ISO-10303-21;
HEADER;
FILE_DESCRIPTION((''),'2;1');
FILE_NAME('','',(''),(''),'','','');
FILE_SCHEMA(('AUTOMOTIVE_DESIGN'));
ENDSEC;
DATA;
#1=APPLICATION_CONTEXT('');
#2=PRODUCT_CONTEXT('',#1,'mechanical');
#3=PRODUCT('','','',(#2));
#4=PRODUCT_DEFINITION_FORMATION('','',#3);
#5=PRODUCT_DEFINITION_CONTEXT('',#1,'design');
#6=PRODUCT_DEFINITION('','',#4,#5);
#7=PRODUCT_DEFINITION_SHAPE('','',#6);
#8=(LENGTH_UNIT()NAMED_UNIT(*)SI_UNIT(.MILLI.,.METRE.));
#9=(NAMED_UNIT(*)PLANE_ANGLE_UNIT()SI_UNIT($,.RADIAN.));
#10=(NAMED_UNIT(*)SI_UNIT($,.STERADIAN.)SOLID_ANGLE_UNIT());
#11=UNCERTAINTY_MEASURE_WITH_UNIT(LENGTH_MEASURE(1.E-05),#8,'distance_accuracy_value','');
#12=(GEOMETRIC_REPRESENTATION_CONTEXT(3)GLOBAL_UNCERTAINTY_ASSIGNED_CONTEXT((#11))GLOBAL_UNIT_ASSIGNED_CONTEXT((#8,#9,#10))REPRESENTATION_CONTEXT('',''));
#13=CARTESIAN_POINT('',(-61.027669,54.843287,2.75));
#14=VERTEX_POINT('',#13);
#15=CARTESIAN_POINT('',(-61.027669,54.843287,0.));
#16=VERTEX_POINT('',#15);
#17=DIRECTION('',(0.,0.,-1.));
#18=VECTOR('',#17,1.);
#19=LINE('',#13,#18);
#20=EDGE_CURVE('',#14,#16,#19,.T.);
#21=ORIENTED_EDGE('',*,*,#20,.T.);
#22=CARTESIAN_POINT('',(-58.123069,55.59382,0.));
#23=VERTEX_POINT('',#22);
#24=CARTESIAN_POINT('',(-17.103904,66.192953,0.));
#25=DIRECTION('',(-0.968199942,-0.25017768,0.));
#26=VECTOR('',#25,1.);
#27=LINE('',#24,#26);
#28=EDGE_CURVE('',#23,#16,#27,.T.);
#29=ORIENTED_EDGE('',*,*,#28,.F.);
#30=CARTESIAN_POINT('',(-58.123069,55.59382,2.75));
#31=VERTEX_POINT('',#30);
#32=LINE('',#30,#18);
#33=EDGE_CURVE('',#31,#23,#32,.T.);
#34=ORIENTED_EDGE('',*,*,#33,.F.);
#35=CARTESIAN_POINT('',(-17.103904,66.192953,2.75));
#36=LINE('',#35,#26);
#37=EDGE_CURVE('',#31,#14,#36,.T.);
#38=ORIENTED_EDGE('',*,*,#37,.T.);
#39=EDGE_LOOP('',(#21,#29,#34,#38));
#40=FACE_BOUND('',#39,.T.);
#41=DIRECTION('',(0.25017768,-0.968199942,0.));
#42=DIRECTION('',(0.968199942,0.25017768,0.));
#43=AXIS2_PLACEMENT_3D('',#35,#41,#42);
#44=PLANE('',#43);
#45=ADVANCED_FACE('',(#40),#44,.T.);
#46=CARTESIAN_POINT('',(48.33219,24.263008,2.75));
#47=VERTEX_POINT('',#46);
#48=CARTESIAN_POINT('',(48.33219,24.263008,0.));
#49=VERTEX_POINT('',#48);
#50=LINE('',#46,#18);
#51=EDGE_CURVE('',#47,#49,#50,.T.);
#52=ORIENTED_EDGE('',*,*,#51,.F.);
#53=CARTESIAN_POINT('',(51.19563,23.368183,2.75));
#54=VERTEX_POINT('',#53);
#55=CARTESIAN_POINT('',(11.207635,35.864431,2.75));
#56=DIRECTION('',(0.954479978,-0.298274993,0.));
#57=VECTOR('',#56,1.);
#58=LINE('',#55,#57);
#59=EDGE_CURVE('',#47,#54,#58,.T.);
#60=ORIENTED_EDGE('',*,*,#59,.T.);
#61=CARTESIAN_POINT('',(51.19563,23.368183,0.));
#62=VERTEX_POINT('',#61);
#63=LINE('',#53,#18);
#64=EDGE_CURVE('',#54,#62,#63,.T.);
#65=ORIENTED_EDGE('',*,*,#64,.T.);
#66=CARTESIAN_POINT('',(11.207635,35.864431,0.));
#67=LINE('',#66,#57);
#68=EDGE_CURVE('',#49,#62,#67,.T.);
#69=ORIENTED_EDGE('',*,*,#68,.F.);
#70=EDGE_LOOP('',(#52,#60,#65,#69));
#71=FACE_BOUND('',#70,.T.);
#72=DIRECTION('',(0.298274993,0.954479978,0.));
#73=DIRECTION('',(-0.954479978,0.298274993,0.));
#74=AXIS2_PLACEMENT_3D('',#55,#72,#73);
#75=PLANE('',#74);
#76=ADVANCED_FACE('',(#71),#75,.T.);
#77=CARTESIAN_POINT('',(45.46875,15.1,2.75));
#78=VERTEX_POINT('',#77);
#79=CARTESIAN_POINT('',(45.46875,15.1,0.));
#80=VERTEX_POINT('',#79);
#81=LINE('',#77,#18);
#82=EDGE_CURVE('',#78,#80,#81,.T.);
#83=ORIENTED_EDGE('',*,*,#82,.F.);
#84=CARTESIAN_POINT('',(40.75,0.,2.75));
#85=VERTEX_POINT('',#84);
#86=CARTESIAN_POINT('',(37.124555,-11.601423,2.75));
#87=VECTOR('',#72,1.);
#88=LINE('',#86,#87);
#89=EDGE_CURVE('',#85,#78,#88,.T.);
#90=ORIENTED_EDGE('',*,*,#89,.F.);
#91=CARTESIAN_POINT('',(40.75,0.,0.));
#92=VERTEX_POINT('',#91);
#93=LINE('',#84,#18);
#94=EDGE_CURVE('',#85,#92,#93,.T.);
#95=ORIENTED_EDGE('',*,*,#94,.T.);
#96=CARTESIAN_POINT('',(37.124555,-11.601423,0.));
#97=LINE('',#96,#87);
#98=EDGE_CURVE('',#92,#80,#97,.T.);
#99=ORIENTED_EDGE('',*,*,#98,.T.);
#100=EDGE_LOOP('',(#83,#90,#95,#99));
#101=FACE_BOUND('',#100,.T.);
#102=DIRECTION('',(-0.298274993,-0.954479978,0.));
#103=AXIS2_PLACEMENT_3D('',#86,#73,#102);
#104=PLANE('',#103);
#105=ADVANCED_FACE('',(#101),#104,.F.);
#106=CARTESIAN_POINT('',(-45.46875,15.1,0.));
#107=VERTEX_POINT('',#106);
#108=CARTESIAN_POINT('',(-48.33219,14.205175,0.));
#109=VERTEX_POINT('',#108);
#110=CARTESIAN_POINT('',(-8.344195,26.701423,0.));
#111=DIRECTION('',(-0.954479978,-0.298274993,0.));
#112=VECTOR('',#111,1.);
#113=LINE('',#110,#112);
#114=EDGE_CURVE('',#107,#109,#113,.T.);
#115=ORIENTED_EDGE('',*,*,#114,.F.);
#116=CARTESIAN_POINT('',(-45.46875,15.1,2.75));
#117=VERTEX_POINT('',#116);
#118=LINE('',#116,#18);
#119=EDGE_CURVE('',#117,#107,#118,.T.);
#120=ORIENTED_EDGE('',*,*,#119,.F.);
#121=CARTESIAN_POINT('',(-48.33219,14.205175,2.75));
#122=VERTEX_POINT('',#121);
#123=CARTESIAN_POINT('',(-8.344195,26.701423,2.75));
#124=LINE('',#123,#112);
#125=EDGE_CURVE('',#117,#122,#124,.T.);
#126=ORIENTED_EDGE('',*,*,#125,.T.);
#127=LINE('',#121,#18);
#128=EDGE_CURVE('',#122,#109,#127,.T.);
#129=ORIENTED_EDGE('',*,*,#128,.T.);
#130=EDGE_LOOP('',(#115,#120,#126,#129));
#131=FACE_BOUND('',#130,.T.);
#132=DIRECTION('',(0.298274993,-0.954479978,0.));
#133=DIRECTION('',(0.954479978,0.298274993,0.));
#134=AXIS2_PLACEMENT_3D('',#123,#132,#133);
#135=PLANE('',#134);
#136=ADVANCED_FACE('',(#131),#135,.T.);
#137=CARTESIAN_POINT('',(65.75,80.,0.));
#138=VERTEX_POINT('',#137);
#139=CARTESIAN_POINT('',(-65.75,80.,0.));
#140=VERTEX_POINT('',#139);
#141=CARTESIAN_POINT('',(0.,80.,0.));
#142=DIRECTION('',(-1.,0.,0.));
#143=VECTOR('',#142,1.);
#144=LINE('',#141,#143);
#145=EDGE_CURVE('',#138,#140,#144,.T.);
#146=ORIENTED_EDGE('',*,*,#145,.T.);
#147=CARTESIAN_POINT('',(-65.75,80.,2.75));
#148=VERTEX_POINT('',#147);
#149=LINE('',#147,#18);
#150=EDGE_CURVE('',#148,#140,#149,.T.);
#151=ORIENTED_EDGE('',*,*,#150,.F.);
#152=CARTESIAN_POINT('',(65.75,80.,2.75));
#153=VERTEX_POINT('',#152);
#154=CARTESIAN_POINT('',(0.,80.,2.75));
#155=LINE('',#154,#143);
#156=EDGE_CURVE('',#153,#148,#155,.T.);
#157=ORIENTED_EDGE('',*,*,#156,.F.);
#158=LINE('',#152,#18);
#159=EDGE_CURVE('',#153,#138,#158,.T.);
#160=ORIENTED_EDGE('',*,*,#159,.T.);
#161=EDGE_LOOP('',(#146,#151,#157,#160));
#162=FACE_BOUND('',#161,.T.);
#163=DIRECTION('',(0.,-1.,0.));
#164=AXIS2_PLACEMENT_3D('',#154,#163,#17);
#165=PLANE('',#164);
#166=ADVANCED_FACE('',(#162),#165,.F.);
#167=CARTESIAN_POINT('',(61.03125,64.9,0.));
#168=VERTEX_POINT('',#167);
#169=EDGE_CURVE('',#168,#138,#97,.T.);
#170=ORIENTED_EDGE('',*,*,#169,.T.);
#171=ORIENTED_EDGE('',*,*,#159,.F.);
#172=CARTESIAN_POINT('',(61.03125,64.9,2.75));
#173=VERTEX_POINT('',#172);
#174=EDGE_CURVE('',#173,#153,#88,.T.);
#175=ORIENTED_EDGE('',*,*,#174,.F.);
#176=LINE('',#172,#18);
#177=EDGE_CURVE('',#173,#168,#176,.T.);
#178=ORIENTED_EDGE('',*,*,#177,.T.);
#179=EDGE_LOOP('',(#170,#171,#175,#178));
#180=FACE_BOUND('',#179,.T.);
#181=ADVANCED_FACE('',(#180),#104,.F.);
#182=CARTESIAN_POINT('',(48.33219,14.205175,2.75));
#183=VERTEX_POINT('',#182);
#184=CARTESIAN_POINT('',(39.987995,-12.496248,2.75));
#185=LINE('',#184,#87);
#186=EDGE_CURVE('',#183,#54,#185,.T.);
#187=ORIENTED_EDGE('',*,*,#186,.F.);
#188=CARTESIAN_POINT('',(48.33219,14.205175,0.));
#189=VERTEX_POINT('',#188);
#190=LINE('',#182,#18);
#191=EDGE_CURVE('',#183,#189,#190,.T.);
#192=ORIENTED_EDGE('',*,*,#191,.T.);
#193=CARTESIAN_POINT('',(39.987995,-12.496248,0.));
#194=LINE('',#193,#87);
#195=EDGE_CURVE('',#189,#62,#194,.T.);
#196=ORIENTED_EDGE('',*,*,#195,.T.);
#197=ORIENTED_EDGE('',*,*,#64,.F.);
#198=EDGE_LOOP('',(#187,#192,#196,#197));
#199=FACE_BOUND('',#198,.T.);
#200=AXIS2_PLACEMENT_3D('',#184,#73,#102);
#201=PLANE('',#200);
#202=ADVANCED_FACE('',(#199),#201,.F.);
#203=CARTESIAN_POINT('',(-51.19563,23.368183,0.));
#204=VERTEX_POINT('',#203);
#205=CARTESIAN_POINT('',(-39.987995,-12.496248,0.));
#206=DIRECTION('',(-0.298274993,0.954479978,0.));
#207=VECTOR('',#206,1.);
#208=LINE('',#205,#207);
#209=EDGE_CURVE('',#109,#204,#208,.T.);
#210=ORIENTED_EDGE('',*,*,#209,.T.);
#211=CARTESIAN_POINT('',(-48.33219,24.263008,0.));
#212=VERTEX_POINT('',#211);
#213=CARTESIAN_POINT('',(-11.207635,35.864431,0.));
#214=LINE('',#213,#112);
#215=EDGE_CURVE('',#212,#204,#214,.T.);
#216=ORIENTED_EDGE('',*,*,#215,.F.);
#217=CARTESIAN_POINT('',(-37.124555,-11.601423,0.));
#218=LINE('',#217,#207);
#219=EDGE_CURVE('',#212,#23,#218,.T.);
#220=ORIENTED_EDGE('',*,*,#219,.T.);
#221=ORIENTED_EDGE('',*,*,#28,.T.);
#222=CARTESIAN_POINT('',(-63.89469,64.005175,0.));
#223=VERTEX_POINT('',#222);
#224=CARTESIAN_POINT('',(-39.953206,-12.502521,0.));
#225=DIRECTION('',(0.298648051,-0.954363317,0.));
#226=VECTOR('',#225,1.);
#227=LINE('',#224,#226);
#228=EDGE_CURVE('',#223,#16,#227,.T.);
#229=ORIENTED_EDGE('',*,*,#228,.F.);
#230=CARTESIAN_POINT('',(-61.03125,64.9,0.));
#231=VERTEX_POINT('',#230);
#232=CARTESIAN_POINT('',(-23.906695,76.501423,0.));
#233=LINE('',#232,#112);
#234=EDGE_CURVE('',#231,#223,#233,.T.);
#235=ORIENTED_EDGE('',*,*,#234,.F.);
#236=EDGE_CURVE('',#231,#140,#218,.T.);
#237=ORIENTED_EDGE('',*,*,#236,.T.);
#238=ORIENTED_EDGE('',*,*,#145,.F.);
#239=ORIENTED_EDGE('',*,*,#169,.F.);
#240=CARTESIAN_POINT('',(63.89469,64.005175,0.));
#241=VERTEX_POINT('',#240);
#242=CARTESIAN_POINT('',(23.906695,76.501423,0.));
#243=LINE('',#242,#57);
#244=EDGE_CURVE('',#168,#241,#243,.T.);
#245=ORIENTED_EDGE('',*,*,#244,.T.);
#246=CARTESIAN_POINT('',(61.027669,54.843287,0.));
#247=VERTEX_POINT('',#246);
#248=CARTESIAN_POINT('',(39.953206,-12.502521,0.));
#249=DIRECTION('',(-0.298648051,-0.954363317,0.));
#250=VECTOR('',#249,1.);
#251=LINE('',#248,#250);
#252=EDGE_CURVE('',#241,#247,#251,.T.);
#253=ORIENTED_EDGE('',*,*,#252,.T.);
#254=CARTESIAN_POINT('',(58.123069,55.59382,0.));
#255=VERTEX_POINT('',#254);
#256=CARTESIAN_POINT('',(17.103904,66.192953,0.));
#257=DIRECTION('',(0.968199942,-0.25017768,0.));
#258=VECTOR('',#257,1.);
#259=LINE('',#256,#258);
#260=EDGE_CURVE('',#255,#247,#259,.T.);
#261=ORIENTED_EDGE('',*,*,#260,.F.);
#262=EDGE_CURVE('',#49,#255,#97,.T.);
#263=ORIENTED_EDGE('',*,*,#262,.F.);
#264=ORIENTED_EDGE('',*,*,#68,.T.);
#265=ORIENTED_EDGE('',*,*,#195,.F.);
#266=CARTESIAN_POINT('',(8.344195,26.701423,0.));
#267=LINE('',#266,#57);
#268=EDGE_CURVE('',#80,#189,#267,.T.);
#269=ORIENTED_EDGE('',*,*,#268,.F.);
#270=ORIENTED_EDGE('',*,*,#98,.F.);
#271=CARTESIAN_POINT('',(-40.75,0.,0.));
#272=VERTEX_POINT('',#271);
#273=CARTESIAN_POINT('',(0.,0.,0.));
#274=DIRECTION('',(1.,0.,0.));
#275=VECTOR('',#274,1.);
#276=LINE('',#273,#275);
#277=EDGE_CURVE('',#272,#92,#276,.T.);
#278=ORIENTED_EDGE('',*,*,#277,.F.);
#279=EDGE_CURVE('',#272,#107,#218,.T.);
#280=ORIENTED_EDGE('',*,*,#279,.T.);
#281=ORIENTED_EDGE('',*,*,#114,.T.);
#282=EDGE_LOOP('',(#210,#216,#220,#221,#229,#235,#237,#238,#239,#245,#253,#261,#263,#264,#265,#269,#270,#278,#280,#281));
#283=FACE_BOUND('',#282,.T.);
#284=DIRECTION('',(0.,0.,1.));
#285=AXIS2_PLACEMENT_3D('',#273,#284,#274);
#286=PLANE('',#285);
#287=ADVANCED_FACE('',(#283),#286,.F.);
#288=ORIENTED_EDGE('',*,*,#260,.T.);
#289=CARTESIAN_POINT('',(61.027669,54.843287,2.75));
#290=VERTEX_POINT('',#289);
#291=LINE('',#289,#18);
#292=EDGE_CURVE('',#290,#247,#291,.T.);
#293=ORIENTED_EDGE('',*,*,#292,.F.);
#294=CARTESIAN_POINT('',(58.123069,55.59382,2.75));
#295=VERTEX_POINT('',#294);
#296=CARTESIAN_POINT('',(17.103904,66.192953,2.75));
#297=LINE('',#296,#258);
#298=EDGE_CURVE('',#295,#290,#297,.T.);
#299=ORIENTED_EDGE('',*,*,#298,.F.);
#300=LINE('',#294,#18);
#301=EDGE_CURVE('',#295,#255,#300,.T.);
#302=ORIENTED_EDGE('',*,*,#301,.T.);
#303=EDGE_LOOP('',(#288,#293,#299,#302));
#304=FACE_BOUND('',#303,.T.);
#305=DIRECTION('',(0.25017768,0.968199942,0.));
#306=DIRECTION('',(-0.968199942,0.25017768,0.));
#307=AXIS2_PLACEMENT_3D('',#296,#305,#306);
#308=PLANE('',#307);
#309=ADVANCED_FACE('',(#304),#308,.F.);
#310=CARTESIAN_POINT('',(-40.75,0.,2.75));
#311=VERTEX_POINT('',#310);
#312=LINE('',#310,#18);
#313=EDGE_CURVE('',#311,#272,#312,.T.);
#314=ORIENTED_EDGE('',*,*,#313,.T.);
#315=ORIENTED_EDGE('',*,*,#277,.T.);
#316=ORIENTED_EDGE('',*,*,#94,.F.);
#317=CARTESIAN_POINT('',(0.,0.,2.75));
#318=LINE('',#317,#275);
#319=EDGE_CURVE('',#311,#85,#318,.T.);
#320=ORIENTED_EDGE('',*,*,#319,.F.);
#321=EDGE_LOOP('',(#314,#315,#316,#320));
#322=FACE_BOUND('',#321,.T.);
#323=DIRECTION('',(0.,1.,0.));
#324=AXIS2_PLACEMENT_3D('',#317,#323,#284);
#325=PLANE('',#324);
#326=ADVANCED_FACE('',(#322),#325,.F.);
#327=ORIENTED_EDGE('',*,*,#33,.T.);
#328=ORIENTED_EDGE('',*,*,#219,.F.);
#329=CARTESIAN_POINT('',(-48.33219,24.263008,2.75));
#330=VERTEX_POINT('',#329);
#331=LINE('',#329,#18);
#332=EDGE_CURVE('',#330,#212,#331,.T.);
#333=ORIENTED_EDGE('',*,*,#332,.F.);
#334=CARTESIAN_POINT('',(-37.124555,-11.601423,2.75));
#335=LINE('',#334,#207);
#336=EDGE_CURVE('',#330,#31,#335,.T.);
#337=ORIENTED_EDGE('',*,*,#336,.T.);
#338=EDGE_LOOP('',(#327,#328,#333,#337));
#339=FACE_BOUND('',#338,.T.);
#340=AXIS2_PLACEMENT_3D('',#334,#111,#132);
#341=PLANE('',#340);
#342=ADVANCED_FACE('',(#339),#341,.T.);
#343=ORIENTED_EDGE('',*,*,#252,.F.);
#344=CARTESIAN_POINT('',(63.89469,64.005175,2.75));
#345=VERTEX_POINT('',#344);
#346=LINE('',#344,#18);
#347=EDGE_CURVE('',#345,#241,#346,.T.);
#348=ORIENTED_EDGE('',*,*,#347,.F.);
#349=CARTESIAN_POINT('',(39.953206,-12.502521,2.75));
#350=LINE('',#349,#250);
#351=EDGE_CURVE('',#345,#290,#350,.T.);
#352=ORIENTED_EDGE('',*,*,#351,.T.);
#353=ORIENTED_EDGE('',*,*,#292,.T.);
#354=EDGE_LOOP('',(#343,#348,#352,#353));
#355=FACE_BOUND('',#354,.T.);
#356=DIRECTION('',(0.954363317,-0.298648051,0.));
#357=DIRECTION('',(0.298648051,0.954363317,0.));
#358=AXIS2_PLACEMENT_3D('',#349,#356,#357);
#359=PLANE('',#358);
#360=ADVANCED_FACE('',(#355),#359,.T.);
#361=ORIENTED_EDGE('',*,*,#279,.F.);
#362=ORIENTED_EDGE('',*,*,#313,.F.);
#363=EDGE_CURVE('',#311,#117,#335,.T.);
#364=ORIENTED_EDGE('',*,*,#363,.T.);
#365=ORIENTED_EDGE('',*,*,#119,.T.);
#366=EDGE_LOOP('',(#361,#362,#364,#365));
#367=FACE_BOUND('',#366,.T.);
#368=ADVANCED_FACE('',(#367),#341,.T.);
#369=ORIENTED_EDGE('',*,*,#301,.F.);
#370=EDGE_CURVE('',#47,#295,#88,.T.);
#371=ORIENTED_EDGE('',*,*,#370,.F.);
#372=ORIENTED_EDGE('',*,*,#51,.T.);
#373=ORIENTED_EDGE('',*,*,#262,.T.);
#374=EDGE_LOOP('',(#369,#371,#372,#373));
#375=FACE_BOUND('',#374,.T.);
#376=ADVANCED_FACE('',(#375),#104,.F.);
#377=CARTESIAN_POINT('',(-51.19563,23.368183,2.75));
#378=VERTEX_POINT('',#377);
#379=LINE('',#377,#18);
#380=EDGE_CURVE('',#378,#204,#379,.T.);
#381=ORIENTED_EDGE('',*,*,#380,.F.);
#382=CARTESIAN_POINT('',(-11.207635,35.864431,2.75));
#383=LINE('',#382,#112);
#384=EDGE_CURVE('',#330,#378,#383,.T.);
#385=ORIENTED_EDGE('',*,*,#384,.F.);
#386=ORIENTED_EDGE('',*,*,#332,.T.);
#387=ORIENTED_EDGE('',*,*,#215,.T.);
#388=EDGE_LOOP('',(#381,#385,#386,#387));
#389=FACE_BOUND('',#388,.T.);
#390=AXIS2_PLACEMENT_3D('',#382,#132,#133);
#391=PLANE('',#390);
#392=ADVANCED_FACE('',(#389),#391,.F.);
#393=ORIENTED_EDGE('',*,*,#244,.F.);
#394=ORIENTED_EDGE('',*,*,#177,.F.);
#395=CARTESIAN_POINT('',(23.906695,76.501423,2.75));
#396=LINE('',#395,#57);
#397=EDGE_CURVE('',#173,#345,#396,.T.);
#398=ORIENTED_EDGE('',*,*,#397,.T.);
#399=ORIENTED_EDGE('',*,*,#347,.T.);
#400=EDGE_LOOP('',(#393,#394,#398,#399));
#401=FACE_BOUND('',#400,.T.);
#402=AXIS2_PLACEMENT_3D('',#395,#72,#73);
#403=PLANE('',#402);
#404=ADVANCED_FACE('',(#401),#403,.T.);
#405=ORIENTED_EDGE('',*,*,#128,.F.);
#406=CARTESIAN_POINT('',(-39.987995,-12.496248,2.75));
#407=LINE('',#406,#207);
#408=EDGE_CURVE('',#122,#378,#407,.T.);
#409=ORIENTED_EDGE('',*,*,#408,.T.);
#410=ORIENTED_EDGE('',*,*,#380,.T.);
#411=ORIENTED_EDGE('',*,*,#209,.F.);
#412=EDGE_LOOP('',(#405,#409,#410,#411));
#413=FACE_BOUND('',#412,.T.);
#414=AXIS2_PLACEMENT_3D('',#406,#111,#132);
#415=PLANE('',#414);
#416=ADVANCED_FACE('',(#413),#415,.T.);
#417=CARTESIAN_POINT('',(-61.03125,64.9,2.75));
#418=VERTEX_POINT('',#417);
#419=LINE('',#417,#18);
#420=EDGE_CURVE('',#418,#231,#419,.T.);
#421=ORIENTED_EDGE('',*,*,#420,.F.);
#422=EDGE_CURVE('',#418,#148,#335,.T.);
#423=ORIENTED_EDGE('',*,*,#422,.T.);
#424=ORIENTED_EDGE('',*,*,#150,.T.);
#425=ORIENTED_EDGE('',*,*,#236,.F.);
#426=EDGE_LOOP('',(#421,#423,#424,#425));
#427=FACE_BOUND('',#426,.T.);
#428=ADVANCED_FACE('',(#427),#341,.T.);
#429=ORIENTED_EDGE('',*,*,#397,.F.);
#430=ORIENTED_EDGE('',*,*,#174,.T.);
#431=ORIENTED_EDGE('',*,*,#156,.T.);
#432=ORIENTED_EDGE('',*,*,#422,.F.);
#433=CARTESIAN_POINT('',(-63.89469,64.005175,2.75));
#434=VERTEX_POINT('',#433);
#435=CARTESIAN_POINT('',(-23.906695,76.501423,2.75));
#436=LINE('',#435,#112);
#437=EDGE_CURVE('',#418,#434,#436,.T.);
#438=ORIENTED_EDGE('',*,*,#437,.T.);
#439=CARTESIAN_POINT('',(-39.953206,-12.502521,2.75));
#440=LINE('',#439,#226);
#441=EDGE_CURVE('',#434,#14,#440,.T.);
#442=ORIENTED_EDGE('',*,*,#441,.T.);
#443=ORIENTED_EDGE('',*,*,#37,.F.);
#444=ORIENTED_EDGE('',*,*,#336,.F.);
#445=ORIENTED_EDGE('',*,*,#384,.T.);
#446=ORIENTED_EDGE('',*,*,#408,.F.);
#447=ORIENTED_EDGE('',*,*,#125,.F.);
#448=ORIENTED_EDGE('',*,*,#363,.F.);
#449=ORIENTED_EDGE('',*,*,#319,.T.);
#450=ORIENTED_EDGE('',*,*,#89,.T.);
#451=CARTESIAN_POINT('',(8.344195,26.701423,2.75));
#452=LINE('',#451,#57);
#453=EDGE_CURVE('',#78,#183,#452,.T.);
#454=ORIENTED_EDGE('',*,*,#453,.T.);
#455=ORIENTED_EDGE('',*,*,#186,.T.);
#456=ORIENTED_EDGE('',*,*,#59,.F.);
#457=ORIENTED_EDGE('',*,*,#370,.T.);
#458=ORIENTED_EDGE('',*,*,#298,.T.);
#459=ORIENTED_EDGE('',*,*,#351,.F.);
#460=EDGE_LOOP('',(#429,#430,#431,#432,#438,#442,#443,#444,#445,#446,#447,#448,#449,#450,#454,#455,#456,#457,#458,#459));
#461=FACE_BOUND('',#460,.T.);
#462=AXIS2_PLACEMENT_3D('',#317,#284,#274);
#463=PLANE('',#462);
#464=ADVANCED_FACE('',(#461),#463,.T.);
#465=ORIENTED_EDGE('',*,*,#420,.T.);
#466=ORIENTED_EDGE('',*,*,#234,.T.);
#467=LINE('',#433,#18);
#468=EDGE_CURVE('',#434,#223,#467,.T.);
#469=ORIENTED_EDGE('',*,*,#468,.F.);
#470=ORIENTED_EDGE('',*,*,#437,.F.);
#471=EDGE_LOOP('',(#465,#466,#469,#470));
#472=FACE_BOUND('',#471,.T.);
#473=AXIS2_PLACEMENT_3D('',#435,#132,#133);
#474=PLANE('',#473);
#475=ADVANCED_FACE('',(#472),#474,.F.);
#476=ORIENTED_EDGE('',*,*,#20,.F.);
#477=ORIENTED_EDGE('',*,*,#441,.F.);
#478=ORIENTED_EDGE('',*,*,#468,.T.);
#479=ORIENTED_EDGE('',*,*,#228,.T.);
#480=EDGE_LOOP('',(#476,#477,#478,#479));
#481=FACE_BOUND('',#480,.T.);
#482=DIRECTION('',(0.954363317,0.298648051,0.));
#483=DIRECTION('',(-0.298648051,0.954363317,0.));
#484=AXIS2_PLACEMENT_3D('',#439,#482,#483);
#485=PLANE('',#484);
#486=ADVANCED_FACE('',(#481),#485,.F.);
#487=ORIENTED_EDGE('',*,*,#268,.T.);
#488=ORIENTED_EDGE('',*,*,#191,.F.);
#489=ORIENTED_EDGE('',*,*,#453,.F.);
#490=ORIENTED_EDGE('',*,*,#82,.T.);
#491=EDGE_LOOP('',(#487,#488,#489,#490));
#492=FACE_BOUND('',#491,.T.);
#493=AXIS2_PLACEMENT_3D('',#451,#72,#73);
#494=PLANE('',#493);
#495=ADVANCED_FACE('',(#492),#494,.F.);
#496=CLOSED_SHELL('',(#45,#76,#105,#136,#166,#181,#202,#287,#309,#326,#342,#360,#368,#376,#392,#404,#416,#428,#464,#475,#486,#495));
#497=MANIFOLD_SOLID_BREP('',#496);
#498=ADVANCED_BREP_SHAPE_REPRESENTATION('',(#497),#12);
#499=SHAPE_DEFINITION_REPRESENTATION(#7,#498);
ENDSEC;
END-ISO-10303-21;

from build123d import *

# Parameters (mm, degrees)
BOSS_EXTRUDE1_DEPTH = 2.75


with BuildPart() as part:
    # Sketch2 → Boss-Extrude1 (new body)
    with BuildSketch(Plane.XY):
        Polygon((-40.75, 0), (40.75, 0), (45.46875, 15.1), (48.332189934, 14.205175021), (51.195629868, 23.36818281), (48.332189934, 24.263007789), (58.123068817, 55.593820214), (61.027668644, 54.843287174), (63.894689934, 64.005175021), (61.03125, 64.9), (65.75, 80), (-65.75, 80), (-61.03125, 64.9), (-63.894689934, 64.005175021), (-61.027668644, 54.843287174), (-58.123068817, 55.593820214), (-48.332189934, 24.263007789), (-51.195629868, 23.36818281), (-48.332189934, 14.205175021), (-45.46875, 15.1), align=None)
    extrude(amount=BOSS_EXTRUDE1_DEPTH)


solid = part.part
